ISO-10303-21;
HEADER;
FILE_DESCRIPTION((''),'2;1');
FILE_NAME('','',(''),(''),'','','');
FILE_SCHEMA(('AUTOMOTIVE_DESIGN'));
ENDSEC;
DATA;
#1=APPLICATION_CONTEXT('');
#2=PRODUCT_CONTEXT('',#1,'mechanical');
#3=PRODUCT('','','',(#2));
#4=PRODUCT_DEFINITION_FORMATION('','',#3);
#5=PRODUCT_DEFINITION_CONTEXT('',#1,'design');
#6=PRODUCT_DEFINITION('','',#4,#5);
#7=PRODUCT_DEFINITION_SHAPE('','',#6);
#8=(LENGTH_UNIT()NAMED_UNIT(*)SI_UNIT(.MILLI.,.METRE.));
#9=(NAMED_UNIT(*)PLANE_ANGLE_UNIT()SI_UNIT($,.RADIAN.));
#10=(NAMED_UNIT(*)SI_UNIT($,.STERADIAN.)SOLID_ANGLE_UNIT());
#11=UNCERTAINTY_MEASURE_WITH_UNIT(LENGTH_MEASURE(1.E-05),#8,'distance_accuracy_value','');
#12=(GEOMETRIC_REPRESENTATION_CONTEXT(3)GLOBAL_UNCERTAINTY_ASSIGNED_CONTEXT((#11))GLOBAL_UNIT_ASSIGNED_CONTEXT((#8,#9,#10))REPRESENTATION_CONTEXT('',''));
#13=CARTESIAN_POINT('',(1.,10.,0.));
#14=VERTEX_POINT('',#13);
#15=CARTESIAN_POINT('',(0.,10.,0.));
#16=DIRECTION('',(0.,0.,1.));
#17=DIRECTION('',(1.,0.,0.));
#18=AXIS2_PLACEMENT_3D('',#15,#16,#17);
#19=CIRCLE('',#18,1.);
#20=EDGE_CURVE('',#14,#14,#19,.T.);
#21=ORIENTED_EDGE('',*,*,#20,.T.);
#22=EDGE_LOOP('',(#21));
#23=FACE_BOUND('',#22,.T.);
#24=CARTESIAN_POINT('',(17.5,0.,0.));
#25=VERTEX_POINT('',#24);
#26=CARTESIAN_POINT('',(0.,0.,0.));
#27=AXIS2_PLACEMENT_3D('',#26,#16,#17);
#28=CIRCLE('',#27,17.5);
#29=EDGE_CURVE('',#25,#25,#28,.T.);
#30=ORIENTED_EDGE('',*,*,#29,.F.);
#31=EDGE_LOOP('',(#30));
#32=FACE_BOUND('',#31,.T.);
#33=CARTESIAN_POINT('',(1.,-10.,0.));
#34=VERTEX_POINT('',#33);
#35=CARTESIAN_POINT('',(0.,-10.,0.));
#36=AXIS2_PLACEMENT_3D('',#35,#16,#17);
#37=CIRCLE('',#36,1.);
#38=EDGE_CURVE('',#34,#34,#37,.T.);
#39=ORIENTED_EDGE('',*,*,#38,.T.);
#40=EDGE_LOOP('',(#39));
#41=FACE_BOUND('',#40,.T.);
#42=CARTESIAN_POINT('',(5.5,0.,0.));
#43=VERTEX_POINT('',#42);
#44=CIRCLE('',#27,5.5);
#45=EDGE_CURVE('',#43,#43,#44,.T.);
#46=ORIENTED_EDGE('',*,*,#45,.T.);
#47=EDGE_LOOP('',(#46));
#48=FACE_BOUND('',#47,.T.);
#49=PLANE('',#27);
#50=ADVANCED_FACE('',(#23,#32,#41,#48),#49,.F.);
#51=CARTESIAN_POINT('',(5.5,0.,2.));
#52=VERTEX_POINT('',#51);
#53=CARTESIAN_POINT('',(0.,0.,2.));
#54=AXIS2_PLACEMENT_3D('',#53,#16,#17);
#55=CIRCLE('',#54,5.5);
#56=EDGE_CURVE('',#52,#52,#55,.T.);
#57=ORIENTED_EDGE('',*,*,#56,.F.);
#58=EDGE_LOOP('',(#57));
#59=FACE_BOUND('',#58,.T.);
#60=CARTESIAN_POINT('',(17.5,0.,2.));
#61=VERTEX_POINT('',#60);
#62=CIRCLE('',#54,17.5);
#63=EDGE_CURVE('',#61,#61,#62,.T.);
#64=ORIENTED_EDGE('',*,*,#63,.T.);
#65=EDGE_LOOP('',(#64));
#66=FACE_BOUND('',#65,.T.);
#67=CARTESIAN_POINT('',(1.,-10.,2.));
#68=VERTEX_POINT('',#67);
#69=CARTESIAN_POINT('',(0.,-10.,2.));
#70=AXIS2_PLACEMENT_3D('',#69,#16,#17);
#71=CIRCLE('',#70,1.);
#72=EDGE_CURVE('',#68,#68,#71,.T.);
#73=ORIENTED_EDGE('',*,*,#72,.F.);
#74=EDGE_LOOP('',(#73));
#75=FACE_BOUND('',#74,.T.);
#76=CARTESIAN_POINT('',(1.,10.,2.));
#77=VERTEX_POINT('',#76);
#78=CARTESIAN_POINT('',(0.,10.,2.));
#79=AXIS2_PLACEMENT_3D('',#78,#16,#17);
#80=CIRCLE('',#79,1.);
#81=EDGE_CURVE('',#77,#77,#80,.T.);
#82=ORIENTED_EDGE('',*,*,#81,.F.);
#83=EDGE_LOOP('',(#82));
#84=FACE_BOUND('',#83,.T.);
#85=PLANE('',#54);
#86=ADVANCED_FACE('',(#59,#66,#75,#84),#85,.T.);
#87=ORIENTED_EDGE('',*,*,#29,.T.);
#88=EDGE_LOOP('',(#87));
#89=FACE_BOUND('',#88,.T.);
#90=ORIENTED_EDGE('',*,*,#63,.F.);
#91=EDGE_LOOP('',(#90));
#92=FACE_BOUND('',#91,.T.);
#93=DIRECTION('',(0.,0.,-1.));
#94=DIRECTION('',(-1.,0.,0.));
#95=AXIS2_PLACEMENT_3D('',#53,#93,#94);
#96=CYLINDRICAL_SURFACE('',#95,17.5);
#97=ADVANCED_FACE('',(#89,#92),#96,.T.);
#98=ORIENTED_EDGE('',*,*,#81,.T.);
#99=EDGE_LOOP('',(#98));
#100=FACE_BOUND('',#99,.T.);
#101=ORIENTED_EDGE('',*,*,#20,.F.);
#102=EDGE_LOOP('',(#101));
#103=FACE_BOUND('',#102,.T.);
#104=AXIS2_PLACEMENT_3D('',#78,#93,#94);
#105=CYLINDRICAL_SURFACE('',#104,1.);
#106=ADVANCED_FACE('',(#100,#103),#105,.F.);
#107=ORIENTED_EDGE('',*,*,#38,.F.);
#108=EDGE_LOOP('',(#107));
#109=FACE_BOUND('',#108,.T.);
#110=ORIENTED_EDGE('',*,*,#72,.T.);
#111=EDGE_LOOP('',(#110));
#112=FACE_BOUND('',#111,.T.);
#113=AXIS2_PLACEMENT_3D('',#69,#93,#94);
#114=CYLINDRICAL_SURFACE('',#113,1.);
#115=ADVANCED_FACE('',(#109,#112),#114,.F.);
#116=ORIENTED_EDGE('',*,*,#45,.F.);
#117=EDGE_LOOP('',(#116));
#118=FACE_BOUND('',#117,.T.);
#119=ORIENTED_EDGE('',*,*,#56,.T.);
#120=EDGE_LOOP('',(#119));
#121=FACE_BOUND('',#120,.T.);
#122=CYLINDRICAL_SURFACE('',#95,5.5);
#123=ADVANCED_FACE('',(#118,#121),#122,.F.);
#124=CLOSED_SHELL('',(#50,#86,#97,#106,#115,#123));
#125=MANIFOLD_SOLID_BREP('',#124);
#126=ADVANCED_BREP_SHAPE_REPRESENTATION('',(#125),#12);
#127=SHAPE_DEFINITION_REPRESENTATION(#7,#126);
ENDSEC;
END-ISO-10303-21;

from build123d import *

# Parameters (mm, degrees)
SKETCH_1_R      = 17.5
SKETCH_1_R_2    = 5.5
SKETCH_1_R_3    = 1
EXTRUDE_1_DEPTH = 2


with BuildPart() as part:
    # Эскиз1 → Бобышка-Вытянуть1 (new body)
    with BuildSketch(Plane.XY):
        Circle(SKETCH_1_R)
        Circle(SKETCH_1_R_2, mode=Mode.SUBTRACT)
        with Locations((0, 10)):
            Circle(SKETCH_1_R_3, mode=Mode.SUBTRACT)
        with Locations((0, -10)):
            Circle(SKETCH_1_R_3, mode=Mode.SUBTRACT)
    extrude(amount=EXTRUDE_1_DEPTH)


solid = part.part
